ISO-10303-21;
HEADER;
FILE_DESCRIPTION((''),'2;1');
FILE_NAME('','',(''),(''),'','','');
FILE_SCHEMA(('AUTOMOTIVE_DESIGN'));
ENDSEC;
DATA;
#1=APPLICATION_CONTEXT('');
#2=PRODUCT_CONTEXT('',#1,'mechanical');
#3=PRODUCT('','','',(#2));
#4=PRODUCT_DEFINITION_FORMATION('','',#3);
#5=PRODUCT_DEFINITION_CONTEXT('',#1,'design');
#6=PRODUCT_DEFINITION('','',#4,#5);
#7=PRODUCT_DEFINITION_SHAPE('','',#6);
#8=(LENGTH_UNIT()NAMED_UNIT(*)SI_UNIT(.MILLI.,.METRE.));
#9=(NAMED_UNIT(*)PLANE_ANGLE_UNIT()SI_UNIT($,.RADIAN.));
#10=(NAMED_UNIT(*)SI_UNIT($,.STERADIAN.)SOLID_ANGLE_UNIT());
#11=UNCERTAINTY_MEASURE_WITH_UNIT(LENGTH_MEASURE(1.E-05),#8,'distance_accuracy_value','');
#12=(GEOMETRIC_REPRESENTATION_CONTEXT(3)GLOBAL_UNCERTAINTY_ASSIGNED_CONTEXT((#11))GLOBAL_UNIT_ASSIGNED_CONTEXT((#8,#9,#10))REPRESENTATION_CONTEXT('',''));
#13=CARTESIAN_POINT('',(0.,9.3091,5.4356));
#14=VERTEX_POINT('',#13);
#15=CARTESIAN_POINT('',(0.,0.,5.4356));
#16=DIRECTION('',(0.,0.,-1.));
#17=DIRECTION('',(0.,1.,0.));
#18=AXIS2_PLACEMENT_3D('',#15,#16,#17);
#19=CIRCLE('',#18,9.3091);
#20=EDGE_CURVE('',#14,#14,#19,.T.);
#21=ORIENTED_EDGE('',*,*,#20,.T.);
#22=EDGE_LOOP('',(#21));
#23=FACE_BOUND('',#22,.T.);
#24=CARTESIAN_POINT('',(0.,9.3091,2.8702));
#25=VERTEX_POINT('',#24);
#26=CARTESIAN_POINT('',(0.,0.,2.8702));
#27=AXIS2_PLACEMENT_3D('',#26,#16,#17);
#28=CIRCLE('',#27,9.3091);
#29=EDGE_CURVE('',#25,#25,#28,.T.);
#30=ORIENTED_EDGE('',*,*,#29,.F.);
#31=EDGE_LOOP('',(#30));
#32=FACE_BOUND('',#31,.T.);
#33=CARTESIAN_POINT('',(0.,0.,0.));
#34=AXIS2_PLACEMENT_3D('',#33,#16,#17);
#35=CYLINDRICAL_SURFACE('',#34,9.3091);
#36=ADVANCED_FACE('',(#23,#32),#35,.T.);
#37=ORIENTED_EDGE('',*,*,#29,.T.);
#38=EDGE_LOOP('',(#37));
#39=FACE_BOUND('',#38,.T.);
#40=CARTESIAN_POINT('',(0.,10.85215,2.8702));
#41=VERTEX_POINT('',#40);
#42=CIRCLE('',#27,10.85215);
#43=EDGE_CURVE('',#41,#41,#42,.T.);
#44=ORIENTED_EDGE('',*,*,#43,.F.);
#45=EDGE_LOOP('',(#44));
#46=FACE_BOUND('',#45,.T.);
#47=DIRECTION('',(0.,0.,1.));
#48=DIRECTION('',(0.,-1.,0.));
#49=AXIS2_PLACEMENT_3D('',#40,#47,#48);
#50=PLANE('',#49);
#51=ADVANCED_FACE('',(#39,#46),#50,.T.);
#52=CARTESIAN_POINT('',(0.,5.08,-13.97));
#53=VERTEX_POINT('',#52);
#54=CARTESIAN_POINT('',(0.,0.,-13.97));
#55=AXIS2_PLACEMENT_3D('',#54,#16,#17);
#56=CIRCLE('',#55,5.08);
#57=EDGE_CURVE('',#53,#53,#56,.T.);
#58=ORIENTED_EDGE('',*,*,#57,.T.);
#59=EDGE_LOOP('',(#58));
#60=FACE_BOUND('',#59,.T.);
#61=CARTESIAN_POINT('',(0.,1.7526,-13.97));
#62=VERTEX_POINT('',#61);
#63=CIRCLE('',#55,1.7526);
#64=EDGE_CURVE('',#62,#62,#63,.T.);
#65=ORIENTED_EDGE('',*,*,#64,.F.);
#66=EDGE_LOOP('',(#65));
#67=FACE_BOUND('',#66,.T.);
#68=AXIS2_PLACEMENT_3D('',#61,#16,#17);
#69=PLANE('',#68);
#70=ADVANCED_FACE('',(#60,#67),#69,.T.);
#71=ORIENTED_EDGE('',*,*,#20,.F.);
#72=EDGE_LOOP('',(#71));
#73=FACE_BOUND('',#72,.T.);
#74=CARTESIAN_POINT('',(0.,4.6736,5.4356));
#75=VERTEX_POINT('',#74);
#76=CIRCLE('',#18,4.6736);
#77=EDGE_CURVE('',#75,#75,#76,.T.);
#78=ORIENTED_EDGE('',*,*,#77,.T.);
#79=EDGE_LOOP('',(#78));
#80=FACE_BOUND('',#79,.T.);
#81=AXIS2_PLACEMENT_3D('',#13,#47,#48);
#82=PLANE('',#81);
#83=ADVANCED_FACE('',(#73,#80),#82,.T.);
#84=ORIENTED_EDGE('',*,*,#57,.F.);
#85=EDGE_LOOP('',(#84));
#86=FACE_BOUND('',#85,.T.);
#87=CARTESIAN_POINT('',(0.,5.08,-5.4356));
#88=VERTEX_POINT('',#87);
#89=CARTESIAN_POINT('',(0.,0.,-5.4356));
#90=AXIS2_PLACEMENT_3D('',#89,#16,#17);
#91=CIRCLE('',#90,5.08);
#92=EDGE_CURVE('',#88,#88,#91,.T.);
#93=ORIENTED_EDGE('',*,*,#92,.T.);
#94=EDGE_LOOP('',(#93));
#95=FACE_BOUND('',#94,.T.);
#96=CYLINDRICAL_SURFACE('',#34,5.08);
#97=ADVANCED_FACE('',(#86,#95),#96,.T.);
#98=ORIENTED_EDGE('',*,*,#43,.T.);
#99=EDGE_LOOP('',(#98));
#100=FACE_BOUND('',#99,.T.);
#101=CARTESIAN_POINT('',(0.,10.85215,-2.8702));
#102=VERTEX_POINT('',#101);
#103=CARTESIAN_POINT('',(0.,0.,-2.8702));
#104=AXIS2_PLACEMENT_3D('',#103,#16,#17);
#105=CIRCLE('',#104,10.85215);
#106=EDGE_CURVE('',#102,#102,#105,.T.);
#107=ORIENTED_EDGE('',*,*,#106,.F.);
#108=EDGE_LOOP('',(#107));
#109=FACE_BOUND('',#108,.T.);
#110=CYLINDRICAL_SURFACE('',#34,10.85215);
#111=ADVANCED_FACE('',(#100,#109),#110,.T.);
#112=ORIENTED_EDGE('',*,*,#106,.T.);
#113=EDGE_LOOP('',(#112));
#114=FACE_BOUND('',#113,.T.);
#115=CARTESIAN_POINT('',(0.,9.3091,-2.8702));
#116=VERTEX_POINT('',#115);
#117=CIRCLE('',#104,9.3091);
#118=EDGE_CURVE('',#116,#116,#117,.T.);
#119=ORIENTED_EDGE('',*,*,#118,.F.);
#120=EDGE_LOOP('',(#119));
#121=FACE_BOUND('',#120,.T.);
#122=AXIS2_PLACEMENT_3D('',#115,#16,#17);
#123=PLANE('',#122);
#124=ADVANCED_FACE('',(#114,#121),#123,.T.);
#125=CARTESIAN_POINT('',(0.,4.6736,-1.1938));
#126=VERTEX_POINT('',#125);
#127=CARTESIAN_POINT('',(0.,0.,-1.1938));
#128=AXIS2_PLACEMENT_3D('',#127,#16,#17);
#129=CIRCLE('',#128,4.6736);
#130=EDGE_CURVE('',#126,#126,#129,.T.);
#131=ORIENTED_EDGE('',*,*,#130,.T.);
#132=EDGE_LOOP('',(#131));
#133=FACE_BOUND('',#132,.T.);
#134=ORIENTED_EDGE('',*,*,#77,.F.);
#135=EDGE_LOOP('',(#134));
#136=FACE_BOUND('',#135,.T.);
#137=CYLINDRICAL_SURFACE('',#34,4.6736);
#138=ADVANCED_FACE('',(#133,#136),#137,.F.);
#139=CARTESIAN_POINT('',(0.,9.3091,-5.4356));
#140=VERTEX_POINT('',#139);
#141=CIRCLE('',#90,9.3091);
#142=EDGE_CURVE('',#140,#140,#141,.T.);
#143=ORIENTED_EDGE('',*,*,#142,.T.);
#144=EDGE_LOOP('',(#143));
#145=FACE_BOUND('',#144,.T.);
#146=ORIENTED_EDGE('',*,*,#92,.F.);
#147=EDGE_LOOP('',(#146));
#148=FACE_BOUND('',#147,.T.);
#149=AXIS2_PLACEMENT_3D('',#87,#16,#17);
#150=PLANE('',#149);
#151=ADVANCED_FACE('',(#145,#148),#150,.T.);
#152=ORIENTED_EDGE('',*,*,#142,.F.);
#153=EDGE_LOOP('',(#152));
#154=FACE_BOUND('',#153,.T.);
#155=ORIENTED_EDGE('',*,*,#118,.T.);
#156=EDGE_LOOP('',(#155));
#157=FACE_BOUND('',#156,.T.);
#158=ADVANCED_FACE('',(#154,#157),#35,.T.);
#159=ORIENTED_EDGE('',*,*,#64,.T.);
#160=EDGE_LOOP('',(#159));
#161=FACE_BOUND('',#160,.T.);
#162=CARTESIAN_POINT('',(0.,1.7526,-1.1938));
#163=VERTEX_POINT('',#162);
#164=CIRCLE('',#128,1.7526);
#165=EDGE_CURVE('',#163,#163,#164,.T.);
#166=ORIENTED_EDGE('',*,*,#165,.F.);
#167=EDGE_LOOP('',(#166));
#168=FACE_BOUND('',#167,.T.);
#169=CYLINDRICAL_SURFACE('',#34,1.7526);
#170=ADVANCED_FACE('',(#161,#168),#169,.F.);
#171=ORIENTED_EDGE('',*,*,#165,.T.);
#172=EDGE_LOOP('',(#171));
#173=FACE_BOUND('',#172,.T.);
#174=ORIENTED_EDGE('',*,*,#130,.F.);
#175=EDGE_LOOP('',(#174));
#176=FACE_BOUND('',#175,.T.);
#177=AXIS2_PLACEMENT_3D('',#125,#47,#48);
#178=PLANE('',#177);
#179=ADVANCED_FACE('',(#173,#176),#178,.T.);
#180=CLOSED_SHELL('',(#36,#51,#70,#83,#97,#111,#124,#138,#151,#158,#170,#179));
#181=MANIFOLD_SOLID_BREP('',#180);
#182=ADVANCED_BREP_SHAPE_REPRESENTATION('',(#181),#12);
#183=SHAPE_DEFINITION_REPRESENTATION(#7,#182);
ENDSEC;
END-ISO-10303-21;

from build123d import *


with BuildPart() as part:
    # Sketch2 → Revolve1 (revolve)
    with BuildSketch(Plane(origin=(0, 0, 0), x_dir=(0, 0, -1), z_dir=(1, 0, 0))):
        Polygon((-5.4356, 4.6736), (1.1938, 4.6736), (1.1938, 1.7526), (13.97, 1.7526), (13.97, 5.08), (5.4356, 5.08), (5.4356, 9.3091), (2.8702, 9.3091), (2.8702, 10.85215), (-2.8702, 10.85215), (-2.8702, 9.3091), (-5.4356, 9.3091), align=None)
    revolve(axis=Axis((0, 0, 0), (0, 0, 1)))


solid = part.part
